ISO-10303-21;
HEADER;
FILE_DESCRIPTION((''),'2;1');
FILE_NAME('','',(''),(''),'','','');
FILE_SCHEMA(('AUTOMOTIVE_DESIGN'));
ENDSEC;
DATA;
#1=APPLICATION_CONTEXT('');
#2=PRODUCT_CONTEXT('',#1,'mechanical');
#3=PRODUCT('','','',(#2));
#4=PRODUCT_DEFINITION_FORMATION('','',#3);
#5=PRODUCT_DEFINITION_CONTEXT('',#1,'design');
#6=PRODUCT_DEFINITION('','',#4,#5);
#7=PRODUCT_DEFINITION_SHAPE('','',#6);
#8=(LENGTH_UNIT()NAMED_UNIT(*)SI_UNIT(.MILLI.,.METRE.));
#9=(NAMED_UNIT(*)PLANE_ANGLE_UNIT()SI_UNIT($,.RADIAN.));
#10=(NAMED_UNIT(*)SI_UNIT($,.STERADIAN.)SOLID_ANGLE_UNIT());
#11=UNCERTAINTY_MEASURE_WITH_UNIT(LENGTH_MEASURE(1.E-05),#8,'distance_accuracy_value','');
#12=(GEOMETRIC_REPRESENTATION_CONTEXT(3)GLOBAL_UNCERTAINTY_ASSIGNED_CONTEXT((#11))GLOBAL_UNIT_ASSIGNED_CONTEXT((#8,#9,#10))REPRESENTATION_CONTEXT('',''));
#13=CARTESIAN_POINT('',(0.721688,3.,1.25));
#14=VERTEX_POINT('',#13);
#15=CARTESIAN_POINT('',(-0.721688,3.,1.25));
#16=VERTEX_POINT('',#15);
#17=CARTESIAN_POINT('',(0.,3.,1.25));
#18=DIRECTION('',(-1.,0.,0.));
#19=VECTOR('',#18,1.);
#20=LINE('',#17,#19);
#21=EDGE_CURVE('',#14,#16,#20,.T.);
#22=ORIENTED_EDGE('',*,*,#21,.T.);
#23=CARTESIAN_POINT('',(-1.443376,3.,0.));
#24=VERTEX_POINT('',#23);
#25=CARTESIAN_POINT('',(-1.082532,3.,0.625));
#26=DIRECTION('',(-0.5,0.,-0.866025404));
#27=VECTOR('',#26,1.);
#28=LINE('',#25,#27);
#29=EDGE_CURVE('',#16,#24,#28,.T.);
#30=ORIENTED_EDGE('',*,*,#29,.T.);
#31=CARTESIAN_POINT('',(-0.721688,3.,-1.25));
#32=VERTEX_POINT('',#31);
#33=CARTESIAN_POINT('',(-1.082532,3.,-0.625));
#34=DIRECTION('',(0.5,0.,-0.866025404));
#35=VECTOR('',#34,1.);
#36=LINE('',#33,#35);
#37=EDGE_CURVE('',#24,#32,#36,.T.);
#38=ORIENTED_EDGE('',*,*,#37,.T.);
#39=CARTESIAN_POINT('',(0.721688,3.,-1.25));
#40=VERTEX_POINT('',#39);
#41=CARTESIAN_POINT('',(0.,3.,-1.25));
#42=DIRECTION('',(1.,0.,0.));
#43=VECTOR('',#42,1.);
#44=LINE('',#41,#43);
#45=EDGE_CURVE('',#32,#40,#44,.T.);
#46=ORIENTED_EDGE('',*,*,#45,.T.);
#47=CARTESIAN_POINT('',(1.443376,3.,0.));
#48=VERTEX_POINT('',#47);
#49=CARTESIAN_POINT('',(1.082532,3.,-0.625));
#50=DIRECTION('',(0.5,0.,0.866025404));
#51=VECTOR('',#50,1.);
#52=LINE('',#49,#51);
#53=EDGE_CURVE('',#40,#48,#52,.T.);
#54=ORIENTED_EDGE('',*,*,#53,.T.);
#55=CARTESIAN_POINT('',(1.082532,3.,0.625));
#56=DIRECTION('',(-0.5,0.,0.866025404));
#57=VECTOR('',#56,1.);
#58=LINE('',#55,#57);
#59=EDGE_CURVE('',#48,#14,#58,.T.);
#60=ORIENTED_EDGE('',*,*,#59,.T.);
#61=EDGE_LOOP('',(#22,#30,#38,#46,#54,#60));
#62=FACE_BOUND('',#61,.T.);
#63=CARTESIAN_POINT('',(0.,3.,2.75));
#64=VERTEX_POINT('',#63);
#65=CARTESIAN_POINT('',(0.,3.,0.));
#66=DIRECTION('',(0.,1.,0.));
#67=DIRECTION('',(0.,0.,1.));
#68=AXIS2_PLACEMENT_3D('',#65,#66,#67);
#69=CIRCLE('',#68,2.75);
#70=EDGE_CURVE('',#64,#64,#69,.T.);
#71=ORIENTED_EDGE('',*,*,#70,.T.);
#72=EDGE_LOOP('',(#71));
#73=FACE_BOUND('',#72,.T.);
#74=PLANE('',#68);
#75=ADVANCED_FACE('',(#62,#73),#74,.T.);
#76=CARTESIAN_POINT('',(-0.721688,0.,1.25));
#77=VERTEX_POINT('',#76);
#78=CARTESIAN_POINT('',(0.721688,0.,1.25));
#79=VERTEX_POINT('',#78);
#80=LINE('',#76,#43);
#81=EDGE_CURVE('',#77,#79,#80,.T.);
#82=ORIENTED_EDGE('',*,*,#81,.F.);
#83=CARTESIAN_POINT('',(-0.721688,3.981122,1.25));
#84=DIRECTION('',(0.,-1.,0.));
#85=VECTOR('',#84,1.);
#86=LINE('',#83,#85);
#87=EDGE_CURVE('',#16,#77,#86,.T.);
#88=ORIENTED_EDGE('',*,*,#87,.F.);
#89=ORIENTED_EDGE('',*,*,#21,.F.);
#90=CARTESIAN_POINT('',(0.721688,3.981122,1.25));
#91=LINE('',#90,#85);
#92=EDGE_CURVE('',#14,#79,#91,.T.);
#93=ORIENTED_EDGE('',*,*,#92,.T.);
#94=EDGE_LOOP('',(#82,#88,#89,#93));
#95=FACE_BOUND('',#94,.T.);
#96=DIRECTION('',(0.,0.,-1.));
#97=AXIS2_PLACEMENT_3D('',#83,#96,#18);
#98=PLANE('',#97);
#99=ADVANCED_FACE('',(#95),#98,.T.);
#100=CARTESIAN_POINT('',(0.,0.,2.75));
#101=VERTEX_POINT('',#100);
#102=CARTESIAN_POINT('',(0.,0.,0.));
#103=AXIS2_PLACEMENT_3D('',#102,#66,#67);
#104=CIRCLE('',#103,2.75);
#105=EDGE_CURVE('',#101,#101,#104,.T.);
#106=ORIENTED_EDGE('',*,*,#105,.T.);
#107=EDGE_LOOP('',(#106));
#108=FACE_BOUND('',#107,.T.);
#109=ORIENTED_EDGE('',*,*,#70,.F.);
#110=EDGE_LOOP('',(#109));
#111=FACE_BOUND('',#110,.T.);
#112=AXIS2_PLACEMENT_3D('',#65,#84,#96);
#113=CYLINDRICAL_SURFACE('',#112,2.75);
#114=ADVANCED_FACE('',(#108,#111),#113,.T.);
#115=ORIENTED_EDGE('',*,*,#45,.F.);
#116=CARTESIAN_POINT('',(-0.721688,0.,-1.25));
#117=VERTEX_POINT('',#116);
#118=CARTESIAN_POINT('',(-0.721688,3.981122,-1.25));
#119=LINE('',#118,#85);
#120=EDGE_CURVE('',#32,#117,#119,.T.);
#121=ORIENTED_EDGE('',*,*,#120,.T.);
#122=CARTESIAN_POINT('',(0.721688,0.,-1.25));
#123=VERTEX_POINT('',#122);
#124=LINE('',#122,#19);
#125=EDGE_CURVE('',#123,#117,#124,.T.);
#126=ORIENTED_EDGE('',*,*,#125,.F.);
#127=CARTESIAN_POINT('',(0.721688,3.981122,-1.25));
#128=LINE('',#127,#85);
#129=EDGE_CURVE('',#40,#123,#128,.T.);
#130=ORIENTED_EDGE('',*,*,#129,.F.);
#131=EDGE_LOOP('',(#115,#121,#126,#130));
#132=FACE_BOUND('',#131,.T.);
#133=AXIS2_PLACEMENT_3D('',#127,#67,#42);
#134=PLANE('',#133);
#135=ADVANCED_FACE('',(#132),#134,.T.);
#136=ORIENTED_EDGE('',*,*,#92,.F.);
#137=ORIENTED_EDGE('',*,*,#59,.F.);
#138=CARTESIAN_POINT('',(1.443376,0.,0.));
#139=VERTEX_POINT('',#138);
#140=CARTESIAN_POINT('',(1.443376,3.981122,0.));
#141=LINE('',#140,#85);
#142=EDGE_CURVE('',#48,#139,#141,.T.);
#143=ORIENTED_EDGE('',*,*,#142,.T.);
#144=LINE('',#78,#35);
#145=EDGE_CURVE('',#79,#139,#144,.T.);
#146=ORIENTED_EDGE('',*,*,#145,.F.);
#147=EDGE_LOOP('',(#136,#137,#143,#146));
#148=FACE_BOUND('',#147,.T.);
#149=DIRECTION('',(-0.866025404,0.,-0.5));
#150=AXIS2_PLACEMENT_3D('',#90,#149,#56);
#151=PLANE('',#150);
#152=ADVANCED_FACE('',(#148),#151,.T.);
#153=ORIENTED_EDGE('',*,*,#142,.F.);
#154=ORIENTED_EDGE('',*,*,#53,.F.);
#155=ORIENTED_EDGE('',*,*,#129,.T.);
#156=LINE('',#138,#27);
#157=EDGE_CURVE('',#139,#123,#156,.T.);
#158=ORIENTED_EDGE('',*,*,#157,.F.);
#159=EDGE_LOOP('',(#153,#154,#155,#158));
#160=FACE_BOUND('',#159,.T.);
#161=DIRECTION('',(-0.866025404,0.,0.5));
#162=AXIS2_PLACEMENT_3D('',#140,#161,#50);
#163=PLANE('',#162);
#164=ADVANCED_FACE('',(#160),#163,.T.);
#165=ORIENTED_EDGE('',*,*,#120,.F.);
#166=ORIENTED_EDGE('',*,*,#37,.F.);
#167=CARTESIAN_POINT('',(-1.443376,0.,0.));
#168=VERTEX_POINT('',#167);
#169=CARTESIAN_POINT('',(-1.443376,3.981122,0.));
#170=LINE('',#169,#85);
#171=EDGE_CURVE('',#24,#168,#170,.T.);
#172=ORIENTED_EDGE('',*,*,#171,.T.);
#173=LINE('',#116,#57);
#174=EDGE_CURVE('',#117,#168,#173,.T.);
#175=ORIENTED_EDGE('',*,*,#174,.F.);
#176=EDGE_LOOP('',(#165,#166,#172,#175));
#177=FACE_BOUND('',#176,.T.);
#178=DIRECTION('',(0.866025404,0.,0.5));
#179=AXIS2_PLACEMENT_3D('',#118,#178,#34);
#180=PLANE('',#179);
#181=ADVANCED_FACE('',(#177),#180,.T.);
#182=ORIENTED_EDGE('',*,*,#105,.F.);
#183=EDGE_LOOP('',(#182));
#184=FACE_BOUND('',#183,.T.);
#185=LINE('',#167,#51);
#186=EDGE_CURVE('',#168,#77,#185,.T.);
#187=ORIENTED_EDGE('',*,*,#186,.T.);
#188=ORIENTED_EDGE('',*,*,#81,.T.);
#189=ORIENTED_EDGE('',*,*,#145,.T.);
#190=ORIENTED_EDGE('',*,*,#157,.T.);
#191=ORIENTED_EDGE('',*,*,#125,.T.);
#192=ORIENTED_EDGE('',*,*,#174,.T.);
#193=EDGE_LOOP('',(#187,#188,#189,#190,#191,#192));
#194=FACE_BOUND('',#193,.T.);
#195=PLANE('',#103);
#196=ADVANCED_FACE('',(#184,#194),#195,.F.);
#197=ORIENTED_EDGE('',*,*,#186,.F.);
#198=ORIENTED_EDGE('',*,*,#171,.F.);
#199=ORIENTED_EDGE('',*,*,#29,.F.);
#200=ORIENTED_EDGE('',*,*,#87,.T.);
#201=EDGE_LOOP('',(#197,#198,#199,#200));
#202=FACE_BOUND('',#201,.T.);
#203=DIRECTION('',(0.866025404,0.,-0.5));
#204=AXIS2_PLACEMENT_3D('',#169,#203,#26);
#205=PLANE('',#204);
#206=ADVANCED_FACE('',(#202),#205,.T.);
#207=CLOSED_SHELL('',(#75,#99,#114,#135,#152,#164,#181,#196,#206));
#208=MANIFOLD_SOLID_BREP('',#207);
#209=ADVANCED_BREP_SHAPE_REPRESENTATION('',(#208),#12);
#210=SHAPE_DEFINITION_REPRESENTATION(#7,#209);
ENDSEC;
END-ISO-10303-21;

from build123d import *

# Parameters (mm, degrees)
SKETCH1_R           = 2.75
BOSS_EXTRUDE1_DEPTH = 3
BOSS_EXTRUDE2_DEPTH = 3
CUT_EXTRUDE3_DEPTH  = 3.981121947


with BuildPart() as part:
    # Sketch1 → Boss-Extrude1 (new body)
    with BuildSketch(Plane(origin=(0, 0, 0), x_dir=(1, 0, 0), z_dir=(0, 1, 0))):
        Circle(SKETCH1_R)
    extrude(amount=BOSS_EXTRUDE1_DEPTH)

    # Sketch2 → Boss-Extrude2 (add)
    with BuildSketch(Plane(origin=(0, 0, 0), x_dir=(1, 0, 0), z_dir=(0, 1, 0))):
        Polygon((0.721687836, 1.25), (-0.721687836, 1.25), (-1.443375673, 0), (-0.721687836, -1.25), (0.721687836, -1.25), (1.443375673, 0), align=None)
    extrude(amount=BOSS_EXTRUDE2_DEPTH)

    # Sketch2<2> → Cut-Extrude3 (cut)
    with BuildSketch(Plane(origin=(0, 0, 0), x_dir=(1, 0, 0), z_dir=(0, 1, 0))):
        Polygon((0.721687836, 1.25), (-0.721687836, 1.25), (-1.443375673, 0), (-0.721687836, -1.25), (0.721687836, -1.25), (1.443375673, 0), align=None)
    extrude(amount=CUT_EXTRUDE3_DEPTH, mode=Mode.SUBTRACT)


solid = part.part
